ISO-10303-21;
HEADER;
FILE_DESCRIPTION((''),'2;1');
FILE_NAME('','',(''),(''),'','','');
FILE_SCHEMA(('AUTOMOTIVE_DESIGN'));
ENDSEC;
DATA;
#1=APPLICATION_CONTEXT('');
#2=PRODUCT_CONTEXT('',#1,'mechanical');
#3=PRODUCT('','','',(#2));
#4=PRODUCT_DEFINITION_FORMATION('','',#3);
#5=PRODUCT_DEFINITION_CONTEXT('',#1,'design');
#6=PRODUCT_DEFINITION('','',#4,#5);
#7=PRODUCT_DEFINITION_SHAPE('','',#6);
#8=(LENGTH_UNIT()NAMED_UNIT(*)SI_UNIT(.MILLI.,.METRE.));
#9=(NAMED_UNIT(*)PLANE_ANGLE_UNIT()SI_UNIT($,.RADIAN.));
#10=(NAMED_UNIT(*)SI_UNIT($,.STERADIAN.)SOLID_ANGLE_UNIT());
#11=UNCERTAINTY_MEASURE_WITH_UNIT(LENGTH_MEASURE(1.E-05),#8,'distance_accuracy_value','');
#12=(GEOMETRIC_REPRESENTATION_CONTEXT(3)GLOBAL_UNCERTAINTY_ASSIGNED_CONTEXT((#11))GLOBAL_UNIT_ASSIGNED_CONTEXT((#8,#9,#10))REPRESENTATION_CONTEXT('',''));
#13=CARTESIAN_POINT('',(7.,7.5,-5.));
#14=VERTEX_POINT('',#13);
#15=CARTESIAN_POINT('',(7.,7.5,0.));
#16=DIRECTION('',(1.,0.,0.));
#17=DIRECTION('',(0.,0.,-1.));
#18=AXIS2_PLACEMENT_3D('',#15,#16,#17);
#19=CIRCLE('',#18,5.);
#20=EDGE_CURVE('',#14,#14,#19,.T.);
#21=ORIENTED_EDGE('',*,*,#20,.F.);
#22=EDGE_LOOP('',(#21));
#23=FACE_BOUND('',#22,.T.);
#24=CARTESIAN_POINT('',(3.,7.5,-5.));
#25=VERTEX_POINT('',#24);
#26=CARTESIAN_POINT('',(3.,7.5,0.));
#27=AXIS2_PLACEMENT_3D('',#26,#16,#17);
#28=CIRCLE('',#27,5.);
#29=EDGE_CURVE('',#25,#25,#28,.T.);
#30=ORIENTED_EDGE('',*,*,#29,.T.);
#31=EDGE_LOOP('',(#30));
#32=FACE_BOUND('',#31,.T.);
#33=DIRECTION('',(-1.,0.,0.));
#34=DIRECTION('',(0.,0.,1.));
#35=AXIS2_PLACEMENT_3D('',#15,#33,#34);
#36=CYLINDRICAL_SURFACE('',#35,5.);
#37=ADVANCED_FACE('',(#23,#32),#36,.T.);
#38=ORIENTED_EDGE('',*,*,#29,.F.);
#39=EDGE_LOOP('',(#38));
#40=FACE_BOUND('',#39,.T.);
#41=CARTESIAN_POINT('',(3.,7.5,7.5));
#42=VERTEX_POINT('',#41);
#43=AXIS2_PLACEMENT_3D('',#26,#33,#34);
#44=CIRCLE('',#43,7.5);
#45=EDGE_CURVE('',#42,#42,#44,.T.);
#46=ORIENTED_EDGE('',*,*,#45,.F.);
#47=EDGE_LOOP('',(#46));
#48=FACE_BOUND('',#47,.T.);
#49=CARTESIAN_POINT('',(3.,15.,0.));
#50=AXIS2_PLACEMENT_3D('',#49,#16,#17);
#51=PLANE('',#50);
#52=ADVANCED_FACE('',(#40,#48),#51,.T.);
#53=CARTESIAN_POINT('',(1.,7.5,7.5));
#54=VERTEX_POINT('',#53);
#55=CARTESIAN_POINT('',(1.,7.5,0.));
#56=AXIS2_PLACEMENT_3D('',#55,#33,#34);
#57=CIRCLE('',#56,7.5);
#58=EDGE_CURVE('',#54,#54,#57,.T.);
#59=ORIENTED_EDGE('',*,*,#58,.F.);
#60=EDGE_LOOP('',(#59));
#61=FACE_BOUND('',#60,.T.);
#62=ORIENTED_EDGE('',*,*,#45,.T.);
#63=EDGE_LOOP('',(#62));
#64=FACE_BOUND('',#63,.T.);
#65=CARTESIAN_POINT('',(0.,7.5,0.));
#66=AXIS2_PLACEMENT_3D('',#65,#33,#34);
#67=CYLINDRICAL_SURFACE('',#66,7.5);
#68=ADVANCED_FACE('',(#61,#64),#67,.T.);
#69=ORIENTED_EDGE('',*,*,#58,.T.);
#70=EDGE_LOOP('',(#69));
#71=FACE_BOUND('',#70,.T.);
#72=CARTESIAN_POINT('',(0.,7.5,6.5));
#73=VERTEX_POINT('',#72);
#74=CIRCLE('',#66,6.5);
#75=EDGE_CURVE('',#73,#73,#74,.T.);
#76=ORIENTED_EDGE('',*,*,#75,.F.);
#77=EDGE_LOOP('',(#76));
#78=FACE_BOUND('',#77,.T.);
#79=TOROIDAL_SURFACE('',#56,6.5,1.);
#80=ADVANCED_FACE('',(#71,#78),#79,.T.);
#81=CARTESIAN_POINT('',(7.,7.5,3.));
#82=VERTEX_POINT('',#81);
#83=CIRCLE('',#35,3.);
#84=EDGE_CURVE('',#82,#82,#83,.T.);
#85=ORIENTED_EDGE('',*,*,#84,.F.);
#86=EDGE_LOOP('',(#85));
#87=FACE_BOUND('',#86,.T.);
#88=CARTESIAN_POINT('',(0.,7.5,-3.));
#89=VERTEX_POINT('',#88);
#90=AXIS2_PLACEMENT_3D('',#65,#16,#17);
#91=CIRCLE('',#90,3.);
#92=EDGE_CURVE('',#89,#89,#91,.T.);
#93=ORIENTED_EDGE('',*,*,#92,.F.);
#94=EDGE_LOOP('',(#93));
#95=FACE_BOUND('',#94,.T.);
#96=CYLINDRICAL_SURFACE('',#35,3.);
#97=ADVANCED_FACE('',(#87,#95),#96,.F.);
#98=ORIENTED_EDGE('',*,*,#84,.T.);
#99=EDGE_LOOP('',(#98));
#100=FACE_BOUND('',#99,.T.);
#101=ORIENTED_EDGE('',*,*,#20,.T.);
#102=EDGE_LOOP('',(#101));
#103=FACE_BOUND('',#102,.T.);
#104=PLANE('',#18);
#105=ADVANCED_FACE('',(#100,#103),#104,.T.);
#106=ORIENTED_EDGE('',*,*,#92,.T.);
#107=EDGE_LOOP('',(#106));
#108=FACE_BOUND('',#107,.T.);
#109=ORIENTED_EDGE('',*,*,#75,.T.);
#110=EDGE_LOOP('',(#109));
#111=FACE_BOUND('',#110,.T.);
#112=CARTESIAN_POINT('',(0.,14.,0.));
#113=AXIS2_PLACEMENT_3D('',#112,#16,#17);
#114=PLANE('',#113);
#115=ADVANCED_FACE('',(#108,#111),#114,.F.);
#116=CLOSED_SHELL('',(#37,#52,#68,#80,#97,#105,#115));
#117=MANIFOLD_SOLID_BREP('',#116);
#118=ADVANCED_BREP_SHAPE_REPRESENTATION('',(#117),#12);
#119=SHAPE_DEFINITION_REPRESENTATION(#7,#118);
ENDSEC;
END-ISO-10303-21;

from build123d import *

# Parameters (mm, degrees)
SKETCH2_R               = 5
BOSS_EXTRUDE1_DEPTH     = 4
CUT_EXTRUDE1_DEPTH      = 19.172781887
CUT_EXTRUDE1_DEPTH_BACK = 19.172781887
SKETCH3_R               = 3


with BuildPart() as part:
    # Sketch1 → Revolve1 (revolve)
    with BuildSketch(Plane.XY, mode=Mode.PRIVATE) as revolve1_sk:
        with BuildLine():
            Line((1, 0), (3, 0))
            Line((3, 0), (3, 7.5))
            Line((3, 7.5), (0, 7.5))
            Line((0, 7.5), (0, 1))
            ThreePointArc((0, 1), (0.292893219, 0.292893219), (1, 0))
        make_face()
    revolve(revolve1_sk.sketch.rotate(Axis((0, 7.5, 0), (1, 0, 0)), 270), axis=Axis((0, 7.5, 0), (1, 0, 0)))

    # Sketch2 → Boss-Extrude1 (add)
    with BuildSketch(Plane(origin=(3, 0, 0), x_dir=(0, 0, -1), z_dir=(1, 0, 0))):
        with Locations((0, 7.5)):
            Circle(SKETCH2_R)
    extrude(amount=BOSS_EXTRUDE1_DEPTH)

    # Sketch3 → Cut-Extrude1 (cut, two sides: drawn at the far end of the back side and taken through both)
    with BuildSketch(Plane.ZY.offset(-CUT_EXTRUDE1_DEPTH_BACK)):
        with Locations((0, 7.5)):
            Circle(SKETCH3_R)
    extrude(amount=CUT_EXTRUDE1_DEPTH + CUT_EXTRUDE1_DEPTH_BACK, mode=Mode.SUBTRACT)


solid = part.part
